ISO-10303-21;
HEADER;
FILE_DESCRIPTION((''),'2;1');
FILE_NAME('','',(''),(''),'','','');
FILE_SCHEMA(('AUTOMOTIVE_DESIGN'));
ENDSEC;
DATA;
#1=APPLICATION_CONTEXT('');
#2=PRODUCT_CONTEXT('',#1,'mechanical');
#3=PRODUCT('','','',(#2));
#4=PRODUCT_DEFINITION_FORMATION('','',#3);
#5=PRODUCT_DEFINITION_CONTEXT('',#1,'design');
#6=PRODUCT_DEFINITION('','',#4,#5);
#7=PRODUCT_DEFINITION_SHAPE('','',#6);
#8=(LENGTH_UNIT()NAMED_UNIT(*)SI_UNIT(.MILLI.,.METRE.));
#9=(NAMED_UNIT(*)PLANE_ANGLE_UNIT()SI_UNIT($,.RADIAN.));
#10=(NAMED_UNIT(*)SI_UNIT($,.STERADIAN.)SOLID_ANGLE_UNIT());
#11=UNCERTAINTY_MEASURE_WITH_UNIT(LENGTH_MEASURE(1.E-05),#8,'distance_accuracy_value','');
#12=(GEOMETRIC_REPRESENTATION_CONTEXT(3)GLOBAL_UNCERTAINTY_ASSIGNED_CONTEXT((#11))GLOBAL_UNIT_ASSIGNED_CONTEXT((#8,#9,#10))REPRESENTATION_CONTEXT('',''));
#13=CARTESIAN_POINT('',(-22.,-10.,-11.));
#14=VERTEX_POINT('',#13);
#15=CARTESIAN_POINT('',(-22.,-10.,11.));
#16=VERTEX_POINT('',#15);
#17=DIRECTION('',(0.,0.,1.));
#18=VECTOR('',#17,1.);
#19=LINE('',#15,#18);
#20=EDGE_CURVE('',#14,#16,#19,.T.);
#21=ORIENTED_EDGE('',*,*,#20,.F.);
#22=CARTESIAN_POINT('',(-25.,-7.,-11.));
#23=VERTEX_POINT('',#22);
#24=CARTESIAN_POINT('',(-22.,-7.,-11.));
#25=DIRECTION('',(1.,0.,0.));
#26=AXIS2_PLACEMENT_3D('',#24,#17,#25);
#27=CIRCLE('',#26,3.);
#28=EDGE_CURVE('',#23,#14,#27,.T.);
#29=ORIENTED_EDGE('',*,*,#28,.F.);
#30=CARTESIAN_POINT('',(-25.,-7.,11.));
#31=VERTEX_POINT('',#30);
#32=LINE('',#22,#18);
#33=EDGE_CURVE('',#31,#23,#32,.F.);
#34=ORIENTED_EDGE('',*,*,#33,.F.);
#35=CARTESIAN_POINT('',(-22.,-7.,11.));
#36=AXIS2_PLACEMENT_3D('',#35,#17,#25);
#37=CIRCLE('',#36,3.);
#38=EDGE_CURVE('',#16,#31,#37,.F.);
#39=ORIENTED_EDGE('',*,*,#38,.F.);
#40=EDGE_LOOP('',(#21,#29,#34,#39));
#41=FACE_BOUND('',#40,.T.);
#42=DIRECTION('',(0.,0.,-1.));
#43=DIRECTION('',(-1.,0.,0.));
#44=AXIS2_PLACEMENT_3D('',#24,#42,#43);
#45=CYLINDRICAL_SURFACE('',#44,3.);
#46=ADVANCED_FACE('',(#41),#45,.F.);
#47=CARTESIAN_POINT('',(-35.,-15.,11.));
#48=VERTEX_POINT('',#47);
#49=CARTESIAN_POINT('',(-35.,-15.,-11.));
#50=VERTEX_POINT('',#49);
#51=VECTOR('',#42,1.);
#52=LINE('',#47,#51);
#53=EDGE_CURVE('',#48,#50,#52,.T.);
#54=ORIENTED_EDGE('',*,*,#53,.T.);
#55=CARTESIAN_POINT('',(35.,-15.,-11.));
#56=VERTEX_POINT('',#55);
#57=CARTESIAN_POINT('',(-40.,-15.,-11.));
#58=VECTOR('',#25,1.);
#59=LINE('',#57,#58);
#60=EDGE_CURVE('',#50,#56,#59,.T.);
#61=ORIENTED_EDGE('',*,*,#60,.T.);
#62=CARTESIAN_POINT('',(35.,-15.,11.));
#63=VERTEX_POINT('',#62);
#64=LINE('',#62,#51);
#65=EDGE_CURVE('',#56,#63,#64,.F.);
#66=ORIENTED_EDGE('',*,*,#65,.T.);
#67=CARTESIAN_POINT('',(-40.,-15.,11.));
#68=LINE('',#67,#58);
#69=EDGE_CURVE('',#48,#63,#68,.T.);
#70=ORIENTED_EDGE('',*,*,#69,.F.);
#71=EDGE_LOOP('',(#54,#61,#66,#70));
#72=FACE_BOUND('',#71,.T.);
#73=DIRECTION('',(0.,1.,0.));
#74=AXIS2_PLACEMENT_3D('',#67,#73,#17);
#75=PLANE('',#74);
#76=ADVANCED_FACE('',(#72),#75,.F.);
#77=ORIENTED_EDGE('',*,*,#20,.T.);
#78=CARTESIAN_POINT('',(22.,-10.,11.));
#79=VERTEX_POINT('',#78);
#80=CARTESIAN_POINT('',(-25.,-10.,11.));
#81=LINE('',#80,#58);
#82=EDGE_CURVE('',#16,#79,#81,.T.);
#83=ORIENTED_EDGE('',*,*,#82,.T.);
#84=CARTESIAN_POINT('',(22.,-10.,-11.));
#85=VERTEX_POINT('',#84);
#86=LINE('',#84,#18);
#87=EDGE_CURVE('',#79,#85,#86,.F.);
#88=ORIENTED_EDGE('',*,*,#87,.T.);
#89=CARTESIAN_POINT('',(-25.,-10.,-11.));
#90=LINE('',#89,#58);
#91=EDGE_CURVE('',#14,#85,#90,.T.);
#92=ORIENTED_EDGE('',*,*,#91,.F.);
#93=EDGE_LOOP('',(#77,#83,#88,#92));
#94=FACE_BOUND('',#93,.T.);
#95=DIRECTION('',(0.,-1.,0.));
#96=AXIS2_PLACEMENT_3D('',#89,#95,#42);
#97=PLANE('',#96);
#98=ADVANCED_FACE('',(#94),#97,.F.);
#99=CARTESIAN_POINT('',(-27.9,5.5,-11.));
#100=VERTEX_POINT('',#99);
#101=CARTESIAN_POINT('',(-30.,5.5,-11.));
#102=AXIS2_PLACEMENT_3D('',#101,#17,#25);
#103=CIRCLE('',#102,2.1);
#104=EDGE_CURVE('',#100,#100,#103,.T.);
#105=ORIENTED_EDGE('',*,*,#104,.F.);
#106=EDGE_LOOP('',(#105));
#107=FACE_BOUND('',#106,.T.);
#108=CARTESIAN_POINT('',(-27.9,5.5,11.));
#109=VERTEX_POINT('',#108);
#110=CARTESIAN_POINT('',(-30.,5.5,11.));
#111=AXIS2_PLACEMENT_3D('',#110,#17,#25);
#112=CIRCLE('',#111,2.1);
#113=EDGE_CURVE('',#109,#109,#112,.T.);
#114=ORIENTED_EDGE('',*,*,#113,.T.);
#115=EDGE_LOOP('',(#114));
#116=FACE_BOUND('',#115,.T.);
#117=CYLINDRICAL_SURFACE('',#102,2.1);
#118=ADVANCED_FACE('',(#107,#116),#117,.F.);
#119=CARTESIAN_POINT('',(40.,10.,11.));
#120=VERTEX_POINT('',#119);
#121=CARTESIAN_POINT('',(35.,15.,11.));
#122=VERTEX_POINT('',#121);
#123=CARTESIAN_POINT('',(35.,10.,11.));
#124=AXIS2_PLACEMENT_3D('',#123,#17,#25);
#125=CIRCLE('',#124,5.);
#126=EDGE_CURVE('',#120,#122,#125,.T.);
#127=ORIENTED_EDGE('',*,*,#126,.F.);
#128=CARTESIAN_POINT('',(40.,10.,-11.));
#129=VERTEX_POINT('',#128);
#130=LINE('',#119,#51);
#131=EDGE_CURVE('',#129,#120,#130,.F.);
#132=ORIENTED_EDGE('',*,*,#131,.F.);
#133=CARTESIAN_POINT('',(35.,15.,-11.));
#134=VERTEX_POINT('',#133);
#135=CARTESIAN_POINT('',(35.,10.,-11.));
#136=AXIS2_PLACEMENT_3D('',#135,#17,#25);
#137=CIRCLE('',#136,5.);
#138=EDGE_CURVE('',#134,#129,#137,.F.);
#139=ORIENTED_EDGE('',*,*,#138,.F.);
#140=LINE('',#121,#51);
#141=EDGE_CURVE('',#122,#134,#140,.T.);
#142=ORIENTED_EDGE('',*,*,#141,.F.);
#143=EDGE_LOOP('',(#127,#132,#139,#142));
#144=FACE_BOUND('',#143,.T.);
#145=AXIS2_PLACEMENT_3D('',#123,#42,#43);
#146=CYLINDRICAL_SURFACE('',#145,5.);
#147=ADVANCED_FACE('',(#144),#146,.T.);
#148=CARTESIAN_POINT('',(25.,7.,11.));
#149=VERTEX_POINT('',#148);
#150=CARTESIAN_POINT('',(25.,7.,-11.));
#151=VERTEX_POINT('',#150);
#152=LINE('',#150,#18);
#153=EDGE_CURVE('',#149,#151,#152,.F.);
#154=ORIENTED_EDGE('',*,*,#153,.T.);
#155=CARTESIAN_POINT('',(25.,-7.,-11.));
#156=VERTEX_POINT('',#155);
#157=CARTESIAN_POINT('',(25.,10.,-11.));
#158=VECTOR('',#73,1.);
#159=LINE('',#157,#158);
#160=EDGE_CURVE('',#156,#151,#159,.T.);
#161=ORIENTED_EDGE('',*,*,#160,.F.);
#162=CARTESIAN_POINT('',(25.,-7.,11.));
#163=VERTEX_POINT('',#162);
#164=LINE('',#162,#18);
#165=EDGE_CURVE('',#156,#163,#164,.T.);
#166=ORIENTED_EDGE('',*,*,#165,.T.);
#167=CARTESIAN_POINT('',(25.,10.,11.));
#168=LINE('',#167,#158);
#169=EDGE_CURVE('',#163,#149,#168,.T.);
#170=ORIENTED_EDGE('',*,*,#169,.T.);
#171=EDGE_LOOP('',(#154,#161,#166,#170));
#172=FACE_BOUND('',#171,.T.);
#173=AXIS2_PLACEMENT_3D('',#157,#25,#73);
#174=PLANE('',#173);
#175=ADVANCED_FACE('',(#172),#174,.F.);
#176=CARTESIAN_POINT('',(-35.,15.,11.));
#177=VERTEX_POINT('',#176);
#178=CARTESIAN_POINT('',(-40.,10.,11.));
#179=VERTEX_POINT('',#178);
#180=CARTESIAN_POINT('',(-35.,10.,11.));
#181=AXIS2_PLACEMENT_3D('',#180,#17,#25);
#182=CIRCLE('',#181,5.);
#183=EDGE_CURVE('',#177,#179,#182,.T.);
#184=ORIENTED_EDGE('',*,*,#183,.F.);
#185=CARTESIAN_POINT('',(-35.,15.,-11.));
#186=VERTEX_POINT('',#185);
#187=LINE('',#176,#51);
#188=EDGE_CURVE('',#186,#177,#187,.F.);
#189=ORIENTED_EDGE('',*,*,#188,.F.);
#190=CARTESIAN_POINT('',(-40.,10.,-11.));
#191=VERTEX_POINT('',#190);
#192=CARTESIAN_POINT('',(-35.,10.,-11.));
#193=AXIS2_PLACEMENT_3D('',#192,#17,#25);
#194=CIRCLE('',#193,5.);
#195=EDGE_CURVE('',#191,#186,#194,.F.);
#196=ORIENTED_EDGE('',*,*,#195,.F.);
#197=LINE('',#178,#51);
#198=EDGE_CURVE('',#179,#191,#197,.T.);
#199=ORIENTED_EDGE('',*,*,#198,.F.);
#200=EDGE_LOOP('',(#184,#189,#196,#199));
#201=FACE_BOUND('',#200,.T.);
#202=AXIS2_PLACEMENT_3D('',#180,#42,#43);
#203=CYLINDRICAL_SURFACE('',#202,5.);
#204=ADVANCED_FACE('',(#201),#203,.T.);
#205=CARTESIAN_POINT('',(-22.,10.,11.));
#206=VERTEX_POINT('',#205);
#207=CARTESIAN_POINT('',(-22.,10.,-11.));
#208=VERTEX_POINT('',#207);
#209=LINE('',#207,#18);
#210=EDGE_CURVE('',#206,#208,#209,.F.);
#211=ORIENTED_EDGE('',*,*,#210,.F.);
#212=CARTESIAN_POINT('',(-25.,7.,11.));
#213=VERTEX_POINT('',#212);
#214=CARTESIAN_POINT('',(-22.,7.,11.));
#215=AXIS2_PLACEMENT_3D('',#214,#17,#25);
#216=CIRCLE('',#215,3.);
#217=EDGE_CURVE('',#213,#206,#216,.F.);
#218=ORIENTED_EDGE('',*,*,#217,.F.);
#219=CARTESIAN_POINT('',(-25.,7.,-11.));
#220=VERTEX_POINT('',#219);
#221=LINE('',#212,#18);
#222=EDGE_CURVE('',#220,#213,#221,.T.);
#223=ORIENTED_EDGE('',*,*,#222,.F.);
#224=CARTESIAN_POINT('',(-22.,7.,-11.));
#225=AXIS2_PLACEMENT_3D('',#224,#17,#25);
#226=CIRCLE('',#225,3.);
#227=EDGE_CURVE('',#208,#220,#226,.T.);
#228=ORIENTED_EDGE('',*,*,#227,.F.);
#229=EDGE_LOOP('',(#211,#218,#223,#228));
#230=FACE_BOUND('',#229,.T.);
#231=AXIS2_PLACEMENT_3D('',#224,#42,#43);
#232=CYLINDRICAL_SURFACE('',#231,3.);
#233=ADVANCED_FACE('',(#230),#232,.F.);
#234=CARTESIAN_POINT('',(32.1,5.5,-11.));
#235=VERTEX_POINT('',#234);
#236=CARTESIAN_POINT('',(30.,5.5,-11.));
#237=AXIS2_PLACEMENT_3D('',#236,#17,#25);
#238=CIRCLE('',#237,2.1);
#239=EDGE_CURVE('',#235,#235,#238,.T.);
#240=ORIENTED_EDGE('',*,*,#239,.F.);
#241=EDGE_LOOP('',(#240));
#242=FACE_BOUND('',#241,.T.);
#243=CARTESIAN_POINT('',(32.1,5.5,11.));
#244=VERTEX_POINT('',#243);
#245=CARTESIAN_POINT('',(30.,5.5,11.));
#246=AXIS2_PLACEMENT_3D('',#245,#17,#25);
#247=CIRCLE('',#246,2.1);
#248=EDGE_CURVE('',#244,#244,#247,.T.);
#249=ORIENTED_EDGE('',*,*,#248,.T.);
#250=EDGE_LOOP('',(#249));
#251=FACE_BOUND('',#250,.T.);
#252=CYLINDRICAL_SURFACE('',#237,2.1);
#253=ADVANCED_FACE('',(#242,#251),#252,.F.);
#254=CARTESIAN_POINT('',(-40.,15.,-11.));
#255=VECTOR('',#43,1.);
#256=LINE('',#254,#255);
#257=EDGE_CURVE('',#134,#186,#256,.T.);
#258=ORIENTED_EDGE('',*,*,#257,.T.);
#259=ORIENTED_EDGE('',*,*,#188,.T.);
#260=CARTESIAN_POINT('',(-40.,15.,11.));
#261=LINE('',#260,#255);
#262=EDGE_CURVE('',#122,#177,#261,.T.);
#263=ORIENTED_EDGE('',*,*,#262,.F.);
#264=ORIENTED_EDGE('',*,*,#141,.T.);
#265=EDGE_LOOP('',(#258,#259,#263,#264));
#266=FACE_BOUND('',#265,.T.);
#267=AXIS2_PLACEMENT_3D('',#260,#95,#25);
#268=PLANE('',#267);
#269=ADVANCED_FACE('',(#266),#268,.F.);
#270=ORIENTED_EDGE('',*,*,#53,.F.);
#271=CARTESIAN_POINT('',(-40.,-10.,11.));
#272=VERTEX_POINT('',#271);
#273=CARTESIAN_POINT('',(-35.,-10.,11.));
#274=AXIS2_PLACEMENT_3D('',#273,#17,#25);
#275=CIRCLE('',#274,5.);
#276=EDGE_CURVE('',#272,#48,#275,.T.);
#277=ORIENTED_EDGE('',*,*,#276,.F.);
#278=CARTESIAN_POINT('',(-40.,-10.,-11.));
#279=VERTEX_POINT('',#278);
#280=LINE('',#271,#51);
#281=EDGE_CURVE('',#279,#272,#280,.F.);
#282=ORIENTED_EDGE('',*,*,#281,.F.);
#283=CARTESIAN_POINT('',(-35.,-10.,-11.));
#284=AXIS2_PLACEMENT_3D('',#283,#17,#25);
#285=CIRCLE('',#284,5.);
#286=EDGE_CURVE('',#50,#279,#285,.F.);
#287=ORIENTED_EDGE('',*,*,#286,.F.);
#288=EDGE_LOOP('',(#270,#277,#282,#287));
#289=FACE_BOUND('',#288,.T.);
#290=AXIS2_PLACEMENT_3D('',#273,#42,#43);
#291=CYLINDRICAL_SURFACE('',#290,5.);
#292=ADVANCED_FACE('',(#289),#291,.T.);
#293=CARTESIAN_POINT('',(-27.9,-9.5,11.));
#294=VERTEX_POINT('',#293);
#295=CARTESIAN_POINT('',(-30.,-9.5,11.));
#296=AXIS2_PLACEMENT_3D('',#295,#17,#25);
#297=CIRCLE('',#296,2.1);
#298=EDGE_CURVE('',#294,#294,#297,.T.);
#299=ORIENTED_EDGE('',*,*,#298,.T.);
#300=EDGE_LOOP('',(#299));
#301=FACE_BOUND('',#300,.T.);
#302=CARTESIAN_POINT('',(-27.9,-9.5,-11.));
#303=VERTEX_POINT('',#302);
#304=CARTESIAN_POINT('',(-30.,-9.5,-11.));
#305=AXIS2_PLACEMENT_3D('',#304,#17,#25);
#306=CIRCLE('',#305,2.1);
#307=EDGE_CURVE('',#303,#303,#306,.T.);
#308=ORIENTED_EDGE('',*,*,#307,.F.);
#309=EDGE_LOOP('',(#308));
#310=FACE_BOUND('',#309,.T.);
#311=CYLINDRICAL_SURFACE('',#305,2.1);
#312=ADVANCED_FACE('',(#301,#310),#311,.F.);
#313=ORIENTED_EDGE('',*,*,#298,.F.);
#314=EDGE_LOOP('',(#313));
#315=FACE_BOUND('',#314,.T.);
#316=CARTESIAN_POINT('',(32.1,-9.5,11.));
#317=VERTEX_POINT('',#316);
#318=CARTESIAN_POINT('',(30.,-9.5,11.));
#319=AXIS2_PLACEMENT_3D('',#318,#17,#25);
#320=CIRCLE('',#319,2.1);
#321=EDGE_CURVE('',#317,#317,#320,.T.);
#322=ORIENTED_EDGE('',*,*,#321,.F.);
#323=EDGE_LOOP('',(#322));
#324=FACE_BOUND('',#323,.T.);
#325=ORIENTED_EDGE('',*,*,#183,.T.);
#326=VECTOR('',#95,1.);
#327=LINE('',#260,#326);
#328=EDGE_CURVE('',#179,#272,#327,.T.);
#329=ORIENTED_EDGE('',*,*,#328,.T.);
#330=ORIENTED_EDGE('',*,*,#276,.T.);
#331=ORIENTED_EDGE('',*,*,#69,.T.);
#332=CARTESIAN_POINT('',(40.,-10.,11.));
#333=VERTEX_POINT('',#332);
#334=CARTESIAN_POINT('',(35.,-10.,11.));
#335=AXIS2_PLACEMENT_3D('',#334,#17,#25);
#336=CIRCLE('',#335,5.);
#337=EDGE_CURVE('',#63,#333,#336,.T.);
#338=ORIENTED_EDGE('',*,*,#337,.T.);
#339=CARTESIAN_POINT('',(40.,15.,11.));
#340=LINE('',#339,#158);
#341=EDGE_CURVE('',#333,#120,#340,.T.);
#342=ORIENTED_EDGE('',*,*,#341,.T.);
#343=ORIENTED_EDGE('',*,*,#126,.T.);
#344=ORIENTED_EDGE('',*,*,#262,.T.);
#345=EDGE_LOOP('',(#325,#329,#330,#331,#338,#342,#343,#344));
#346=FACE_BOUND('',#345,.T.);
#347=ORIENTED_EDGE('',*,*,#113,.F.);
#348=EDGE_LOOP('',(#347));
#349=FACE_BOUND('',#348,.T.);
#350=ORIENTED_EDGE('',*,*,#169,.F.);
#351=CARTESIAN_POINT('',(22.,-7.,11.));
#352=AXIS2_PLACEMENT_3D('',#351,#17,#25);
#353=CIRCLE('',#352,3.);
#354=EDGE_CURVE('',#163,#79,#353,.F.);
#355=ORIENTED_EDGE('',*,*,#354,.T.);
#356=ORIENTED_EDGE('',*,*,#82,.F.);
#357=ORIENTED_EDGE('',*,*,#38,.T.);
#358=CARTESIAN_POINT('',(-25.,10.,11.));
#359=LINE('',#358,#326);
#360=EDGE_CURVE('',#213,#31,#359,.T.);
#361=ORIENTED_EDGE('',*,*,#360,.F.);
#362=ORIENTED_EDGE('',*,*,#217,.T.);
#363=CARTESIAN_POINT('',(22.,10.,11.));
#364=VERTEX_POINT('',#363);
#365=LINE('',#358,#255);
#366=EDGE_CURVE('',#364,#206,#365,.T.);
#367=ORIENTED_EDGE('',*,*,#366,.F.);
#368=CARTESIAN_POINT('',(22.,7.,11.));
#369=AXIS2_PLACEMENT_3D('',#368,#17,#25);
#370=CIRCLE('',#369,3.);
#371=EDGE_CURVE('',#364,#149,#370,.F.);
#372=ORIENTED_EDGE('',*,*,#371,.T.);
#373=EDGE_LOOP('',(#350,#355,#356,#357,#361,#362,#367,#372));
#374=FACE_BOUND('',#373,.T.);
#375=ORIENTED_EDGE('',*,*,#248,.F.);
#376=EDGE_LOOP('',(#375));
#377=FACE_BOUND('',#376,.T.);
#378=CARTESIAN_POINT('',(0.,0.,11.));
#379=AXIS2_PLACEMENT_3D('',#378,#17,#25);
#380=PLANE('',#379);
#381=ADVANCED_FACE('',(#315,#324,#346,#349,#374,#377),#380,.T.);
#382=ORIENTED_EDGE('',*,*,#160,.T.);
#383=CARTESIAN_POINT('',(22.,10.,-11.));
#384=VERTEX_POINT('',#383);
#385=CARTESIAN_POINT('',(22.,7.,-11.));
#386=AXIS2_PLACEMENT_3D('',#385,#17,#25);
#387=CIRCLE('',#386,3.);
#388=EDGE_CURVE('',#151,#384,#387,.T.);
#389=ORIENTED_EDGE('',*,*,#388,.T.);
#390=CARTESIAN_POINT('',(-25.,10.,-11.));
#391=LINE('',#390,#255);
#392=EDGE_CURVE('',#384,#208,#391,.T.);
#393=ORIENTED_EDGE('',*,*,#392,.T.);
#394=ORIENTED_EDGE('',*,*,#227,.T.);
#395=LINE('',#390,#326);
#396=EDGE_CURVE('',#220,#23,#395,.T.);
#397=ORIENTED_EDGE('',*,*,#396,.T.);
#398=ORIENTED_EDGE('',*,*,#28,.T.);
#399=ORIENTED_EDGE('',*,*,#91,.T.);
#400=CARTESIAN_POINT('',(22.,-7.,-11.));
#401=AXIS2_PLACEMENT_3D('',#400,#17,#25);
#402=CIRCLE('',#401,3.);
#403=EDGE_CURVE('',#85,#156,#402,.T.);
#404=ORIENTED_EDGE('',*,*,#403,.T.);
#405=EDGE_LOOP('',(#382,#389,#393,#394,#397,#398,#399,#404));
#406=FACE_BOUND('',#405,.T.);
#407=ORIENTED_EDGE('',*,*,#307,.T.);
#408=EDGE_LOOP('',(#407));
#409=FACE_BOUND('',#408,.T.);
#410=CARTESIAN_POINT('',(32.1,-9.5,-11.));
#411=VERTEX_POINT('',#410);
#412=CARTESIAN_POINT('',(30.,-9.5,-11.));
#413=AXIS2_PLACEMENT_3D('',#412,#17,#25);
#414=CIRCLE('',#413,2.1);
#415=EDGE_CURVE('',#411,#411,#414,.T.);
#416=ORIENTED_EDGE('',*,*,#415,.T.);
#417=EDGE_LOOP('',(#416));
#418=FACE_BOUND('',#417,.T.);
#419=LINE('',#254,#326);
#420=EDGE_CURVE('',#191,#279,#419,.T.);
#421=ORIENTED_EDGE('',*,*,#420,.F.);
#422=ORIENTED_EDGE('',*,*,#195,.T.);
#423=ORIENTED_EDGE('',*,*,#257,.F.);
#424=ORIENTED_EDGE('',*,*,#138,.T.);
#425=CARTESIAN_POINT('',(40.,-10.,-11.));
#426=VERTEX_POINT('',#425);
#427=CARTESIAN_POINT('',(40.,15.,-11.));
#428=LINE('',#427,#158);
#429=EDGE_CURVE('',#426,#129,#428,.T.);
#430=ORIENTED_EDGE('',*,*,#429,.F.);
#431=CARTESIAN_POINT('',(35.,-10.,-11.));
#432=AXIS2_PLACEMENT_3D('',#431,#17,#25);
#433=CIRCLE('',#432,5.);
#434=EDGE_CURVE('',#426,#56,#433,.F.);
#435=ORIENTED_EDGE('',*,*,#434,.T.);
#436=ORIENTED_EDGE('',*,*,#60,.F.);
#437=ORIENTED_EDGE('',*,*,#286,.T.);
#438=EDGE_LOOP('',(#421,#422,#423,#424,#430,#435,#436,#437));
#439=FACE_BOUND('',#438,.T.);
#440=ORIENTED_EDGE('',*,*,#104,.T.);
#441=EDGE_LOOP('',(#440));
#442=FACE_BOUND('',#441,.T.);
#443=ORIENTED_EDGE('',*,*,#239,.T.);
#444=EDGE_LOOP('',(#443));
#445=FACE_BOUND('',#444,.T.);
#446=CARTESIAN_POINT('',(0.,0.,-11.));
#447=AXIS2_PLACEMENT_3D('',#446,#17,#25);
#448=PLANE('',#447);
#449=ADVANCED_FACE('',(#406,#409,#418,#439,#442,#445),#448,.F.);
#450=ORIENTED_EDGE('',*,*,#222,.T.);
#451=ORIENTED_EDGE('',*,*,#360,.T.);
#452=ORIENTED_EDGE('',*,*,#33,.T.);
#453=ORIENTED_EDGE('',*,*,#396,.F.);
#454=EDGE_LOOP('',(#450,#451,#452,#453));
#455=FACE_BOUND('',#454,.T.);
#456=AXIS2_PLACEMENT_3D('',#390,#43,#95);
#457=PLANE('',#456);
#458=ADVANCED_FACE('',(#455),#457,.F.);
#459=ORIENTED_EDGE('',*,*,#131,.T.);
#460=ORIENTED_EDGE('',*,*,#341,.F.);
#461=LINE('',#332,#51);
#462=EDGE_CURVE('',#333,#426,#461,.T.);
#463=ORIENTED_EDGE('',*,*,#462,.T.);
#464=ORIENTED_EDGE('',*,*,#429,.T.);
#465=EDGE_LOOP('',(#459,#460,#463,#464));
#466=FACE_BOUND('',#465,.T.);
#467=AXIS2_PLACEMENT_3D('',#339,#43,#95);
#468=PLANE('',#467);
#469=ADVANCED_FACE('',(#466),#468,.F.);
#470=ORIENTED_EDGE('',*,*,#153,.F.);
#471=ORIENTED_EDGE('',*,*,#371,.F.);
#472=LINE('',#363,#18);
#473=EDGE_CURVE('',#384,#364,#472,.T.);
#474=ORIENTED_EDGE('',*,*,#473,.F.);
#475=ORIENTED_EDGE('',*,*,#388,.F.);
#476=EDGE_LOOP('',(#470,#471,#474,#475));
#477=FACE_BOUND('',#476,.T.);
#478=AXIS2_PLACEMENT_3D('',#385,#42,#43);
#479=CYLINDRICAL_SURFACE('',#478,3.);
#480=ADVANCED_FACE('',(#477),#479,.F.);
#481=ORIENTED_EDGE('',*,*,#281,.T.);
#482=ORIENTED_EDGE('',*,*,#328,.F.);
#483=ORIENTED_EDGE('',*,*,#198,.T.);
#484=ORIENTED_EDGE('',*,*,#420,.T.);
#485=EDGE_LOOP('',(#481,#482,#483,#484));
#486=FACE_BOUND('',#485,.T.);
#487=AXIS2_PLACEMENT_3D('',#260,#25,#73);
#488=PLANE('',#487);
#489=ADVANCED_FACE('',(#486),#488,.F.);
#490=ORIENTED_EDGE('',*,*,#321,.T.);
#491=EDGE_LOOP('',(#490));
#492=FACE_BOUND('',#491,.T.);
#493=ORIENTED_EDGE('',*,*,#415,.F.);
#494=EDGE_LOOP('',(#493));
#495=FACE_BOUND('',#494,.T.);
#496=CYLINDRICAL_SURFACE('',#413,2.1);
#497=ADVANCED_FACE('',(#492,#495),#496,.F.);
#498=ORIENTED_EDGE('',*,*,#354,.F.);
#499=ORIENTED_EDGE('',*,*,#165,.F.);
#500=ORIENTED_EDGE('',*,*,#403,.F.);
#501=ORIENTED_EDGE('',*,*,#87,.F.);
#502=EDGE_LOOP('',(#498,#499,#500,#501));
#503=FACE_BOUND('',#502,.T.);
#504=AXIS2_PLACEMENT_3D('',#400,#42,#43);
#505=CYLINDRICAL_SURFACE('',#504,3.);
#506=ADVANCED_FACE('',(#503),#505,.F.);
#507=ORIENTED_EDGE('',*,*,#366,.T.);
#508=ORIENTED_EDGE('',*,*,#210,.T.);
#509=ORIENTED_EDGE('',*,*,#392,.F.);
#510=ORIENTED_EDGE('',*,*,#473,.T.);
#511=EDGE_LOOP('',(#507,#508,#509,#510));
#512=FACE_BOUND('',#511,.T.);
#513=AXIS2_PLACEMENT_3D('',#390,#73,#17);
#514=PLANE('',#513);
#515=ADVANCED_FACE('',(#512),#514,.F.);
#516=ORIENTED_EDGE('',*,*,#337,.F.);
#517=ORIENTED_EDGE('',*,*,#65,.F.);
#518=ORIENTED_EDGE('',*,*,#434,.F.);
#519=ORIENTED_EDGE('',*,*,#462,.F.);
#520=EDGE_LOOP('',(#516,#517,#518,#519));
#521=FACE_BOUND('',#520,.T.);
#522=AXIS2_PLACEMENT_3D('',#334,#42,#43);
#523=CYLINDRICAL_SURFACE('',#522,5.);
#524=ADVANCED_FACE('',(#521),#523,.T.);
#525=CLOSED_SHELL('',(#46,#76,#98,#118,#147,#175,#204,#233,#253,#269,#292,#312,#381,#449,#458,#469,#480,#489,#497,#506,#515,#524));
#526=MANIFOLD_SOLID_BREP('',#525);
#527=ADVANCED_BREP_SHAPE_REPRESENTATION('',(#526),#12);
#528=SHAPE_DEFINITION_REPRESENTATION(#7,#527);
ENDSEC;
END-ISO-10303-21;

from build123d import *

# Parameters (mm, degrees)
SKETCH_1_W          = 80
SKETCH_1_H          = 30
EXTRUDE_1_DEPTH     = 11
FILLET_1_R          = 5
SKETCH_2_R          = 2.1
SKETCH_2_W          = 50
SKETCH_2_H          = 20
CUT_EXTRUDE_1_DEPTH = 23
FILLET_2_R          = 3


with BuildPart() as part:
    # 草图1 → 凸台-拉伸1 (new body, symmetric)
    with BuildSketch(Plane.XY):
        Rectangle(SKETCH_1_W, SKETCH_1_H)
    extrude(amount=EXTRUDE_1_DEPTH, both=True)

    # 圆角1
    fillet_1_edges = [part.edges().sort_by_distance(p)[0] for p in [
        (40, -15, 0),
        (-40, -15, 0),
        (-40, 15, 0),
        (40, 15, 0),
    ]]
    fillet(fillet_1_edges, radius=FILLET_1_R)

    # 草图2 → 切除-拉伸1 (cut, through all)
    with BuildSketch(Plane.XY.offset(11)):
        with Locations((-30, 5.5)):
            Circle(SKETCH_2_R)
        with Locations((30, 5.5)):
            Circle(SKETCH_2_R)
        with Locations((30, -9.5)):
            Circle(SKETCH_2_R)
        with Locations((-30, -9.5)):
            Circle(SKETCH_2_R)
        Rectangle(SKETCH_2_W, SKETCH_2_H)
    extrude(amount=-CUT_EXTRUDE_1_DEPTH, mode=Mode.SUBTRACT)

    # 圆角2
    fillet_2_edges = [part.edges().sort_by_distance(p)[0] for p in [
        (25, 10, 0),
        (25, -10, 0),
        (-25, -10, 0),
        (-25, 10, 0),
    ]]
    fillet(fillet_2_edges, radius=FILLET_2_R)


solid = part.part
